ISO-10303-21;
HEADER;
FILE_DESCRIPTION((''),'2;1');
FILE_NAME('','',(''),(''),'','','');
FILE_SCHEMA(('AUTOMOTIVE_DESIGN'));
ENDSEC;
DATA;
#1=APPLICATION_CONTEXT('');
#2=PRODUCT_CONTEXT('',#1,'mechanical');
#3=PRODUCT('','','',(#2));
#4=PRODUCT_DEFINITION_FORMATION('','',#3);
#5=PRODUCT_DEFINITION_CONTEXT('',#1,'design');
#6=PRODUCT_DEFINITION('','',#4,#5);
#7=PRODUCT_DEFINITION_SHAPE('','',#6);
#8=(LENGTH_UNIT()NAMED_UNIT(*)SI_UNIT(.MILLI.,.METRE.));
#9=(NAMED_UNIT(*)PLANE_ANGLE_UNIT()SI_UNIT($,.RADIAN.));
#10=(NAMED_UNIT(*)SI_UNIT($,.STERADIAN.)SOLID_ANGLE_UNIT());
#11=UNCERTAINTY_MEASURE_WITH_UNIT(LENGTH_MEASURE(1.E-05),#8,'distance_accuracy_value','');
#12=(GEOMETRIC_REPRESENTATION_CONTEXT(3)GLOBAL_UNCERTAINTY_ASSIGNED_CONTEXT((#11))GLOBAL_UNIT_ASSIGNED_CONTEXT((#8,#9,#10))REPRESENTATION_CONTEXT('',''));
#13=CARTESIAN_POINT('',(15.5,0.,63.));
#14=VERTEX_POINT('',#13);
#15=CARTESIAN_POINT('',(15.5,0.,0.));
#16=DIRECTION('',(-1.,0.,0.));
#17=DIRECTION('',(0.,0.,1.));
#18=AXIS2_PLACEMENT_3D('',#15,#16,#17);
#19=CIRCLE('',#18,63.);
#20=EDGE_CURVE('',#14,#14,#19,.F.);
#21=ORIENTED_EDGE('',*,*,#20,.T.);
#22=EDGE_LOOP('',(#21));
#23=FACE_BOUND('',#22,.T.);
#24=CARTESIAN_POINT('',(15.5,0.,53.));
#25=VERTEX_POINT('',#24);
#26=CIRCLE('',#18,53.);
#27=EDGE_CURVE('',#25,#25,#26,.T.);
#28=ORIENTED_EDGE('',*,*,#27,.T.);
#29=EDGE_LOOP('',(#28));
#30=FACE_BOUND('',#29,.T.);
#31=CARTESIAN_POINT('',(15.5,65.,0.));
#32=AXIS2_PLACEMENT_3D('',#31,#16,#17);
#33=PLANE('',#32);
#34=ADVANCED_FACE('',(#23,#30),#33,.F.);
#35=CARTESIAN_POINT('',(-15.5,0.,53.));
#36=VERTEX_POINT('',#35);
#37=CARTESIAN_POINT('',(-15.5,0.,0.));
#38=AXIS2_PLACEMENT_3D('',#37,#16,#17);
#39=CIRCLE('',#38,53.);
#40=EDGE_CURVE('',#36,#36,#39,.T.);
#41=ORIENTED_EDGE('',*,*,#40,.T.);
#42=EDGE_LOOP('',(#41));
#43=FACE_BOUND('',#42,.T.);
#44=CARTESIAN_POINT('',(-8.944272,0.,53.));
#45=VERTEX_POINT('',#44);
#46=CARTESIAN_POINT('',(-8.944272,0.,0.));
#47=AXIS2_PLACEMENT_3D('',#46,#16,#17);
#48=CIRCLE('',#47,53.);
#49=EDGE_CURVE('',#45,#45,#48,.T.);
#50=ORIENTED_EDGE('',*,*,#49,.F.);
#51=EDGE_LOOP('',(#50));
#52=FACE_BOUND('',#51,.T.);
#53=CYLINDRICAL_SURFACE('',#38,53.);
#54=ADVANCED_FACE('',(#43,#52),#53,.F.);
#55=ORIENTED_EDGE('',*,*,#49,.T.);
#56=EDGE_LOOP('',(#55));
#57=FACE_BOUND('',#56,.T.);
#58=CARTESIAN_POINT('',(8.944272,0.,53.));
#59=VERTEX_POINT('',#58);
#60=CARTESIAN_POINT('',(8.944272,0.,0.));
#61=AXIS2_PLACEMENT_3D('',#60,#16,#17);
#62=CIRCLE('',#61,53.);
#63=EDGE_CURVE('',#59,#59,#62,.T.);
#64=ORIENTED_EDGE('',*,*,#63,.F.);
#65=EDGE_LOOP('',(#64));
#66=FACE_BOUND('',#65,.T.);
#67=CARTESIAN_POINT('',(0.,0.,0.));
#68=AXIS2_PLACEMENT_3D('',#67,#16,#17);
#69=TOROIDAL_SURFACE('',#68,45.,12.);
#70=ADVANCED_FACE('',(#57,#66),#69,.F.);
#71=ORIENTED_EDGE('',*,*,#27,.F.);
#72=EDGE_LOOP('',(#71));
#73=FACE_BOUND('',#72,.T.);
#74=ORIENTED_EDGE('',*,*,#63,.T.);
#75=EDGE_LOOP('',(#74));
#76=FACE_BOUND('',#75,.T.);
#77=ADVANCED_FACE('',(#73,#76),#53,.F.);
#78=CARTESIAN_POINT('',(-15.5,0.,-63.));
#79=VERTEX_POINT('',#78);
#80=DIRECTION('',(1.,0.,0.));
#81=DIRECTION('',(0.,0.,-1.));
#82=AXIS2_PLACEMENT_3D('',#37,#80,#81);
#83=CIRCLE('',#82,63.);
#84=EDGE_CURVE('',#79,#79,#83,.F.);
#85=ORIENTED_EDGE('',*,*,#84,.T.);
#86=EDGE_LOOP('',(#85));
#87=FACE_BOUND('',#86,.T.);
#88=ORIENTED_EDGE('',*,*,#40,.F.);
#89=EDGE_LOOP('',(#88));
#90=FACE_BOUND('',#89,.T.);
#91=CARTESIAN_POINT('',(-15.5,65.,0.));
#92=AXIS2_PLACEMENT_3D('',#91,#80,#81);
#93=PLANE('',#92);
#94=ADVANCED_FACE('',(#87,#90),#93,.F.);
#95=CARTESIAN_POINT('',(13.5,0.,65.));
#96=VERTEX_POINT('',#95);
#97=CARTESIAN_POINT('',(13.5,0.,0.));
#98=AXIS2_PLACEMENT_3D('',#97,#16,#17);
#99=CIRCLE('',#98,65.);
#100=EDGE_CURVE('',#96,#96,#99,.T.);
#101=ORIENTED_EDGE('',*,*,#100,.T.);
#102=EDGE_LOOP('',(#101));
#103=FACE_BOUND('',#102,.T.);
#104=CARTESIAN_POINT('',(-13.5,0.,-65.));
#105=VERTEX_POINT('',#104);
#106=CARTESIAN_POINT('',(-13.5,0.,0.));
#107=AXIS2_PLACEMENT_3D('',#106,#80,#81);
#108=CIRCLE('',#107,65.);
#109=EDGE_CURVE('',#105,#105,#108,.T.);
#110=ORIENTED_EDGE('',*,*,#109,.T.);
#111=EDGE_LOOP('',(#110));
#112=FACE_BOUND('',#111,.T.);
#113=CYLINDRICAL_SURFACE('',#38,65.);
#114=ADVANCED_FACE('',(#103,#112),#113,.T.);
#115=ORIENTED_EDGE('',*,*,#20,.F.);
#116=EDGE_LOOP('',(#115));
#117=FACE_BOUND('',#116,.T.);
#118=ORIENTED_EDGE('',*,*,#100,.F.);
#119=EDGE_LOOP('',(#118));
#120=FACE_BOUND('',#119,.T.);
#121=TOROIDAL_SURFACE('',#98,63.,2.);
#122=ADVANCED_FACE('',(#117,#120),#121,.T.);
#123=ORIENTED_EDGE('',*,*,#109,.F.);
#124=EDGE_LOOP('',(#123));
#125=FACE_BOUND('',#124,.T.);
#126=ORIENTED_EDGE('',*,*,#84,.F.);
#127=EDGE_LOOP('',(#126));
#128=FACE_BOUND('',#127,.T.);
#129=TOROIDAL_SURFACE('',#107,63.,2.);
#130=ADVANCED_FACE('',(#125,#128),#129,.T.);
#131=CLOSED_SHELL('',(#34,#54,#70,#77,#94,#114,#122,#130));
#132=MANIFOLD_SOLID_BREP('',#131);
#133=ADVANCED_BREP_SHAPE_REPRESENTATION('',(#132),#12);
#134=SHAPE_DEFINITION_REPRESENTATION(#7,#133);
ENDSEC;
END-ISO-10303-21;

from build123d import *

# Parameters (mm, degrees)
FILLET1_R = 2


with BuildPart() as part:
    # Sketch1 → Revolve1 (revolve)
    with BuildSketch(Plane.XY):
        with BuildLine():
            Line((15.5, 65), (-15.5, 65))
            Line((-15.5, 65), (-15.5, 53))
            Line((-15.5, 53), (-8.94427191, 53))
            ThreePointArc((-8.94427191, 53), (0, 57), (8.94427191, 53))
            Line((8.94427191, 53), (15.5, 53))
            Line((15.5, 53), (15.5, 65))
        make_face()
    revolve(axis=Axis((-15.5, 0, 0), (1, 0, 0)))

    # Fillet1
    fillet1_edges = [part.edges().sort_by_distance(p)[0] for p in [
        (15.5, -65, 0),
        (-15.5, -65, 0),
    ]]
    fillet(fillet1_edges, radius=FILLET1_R)


solid = part.part
